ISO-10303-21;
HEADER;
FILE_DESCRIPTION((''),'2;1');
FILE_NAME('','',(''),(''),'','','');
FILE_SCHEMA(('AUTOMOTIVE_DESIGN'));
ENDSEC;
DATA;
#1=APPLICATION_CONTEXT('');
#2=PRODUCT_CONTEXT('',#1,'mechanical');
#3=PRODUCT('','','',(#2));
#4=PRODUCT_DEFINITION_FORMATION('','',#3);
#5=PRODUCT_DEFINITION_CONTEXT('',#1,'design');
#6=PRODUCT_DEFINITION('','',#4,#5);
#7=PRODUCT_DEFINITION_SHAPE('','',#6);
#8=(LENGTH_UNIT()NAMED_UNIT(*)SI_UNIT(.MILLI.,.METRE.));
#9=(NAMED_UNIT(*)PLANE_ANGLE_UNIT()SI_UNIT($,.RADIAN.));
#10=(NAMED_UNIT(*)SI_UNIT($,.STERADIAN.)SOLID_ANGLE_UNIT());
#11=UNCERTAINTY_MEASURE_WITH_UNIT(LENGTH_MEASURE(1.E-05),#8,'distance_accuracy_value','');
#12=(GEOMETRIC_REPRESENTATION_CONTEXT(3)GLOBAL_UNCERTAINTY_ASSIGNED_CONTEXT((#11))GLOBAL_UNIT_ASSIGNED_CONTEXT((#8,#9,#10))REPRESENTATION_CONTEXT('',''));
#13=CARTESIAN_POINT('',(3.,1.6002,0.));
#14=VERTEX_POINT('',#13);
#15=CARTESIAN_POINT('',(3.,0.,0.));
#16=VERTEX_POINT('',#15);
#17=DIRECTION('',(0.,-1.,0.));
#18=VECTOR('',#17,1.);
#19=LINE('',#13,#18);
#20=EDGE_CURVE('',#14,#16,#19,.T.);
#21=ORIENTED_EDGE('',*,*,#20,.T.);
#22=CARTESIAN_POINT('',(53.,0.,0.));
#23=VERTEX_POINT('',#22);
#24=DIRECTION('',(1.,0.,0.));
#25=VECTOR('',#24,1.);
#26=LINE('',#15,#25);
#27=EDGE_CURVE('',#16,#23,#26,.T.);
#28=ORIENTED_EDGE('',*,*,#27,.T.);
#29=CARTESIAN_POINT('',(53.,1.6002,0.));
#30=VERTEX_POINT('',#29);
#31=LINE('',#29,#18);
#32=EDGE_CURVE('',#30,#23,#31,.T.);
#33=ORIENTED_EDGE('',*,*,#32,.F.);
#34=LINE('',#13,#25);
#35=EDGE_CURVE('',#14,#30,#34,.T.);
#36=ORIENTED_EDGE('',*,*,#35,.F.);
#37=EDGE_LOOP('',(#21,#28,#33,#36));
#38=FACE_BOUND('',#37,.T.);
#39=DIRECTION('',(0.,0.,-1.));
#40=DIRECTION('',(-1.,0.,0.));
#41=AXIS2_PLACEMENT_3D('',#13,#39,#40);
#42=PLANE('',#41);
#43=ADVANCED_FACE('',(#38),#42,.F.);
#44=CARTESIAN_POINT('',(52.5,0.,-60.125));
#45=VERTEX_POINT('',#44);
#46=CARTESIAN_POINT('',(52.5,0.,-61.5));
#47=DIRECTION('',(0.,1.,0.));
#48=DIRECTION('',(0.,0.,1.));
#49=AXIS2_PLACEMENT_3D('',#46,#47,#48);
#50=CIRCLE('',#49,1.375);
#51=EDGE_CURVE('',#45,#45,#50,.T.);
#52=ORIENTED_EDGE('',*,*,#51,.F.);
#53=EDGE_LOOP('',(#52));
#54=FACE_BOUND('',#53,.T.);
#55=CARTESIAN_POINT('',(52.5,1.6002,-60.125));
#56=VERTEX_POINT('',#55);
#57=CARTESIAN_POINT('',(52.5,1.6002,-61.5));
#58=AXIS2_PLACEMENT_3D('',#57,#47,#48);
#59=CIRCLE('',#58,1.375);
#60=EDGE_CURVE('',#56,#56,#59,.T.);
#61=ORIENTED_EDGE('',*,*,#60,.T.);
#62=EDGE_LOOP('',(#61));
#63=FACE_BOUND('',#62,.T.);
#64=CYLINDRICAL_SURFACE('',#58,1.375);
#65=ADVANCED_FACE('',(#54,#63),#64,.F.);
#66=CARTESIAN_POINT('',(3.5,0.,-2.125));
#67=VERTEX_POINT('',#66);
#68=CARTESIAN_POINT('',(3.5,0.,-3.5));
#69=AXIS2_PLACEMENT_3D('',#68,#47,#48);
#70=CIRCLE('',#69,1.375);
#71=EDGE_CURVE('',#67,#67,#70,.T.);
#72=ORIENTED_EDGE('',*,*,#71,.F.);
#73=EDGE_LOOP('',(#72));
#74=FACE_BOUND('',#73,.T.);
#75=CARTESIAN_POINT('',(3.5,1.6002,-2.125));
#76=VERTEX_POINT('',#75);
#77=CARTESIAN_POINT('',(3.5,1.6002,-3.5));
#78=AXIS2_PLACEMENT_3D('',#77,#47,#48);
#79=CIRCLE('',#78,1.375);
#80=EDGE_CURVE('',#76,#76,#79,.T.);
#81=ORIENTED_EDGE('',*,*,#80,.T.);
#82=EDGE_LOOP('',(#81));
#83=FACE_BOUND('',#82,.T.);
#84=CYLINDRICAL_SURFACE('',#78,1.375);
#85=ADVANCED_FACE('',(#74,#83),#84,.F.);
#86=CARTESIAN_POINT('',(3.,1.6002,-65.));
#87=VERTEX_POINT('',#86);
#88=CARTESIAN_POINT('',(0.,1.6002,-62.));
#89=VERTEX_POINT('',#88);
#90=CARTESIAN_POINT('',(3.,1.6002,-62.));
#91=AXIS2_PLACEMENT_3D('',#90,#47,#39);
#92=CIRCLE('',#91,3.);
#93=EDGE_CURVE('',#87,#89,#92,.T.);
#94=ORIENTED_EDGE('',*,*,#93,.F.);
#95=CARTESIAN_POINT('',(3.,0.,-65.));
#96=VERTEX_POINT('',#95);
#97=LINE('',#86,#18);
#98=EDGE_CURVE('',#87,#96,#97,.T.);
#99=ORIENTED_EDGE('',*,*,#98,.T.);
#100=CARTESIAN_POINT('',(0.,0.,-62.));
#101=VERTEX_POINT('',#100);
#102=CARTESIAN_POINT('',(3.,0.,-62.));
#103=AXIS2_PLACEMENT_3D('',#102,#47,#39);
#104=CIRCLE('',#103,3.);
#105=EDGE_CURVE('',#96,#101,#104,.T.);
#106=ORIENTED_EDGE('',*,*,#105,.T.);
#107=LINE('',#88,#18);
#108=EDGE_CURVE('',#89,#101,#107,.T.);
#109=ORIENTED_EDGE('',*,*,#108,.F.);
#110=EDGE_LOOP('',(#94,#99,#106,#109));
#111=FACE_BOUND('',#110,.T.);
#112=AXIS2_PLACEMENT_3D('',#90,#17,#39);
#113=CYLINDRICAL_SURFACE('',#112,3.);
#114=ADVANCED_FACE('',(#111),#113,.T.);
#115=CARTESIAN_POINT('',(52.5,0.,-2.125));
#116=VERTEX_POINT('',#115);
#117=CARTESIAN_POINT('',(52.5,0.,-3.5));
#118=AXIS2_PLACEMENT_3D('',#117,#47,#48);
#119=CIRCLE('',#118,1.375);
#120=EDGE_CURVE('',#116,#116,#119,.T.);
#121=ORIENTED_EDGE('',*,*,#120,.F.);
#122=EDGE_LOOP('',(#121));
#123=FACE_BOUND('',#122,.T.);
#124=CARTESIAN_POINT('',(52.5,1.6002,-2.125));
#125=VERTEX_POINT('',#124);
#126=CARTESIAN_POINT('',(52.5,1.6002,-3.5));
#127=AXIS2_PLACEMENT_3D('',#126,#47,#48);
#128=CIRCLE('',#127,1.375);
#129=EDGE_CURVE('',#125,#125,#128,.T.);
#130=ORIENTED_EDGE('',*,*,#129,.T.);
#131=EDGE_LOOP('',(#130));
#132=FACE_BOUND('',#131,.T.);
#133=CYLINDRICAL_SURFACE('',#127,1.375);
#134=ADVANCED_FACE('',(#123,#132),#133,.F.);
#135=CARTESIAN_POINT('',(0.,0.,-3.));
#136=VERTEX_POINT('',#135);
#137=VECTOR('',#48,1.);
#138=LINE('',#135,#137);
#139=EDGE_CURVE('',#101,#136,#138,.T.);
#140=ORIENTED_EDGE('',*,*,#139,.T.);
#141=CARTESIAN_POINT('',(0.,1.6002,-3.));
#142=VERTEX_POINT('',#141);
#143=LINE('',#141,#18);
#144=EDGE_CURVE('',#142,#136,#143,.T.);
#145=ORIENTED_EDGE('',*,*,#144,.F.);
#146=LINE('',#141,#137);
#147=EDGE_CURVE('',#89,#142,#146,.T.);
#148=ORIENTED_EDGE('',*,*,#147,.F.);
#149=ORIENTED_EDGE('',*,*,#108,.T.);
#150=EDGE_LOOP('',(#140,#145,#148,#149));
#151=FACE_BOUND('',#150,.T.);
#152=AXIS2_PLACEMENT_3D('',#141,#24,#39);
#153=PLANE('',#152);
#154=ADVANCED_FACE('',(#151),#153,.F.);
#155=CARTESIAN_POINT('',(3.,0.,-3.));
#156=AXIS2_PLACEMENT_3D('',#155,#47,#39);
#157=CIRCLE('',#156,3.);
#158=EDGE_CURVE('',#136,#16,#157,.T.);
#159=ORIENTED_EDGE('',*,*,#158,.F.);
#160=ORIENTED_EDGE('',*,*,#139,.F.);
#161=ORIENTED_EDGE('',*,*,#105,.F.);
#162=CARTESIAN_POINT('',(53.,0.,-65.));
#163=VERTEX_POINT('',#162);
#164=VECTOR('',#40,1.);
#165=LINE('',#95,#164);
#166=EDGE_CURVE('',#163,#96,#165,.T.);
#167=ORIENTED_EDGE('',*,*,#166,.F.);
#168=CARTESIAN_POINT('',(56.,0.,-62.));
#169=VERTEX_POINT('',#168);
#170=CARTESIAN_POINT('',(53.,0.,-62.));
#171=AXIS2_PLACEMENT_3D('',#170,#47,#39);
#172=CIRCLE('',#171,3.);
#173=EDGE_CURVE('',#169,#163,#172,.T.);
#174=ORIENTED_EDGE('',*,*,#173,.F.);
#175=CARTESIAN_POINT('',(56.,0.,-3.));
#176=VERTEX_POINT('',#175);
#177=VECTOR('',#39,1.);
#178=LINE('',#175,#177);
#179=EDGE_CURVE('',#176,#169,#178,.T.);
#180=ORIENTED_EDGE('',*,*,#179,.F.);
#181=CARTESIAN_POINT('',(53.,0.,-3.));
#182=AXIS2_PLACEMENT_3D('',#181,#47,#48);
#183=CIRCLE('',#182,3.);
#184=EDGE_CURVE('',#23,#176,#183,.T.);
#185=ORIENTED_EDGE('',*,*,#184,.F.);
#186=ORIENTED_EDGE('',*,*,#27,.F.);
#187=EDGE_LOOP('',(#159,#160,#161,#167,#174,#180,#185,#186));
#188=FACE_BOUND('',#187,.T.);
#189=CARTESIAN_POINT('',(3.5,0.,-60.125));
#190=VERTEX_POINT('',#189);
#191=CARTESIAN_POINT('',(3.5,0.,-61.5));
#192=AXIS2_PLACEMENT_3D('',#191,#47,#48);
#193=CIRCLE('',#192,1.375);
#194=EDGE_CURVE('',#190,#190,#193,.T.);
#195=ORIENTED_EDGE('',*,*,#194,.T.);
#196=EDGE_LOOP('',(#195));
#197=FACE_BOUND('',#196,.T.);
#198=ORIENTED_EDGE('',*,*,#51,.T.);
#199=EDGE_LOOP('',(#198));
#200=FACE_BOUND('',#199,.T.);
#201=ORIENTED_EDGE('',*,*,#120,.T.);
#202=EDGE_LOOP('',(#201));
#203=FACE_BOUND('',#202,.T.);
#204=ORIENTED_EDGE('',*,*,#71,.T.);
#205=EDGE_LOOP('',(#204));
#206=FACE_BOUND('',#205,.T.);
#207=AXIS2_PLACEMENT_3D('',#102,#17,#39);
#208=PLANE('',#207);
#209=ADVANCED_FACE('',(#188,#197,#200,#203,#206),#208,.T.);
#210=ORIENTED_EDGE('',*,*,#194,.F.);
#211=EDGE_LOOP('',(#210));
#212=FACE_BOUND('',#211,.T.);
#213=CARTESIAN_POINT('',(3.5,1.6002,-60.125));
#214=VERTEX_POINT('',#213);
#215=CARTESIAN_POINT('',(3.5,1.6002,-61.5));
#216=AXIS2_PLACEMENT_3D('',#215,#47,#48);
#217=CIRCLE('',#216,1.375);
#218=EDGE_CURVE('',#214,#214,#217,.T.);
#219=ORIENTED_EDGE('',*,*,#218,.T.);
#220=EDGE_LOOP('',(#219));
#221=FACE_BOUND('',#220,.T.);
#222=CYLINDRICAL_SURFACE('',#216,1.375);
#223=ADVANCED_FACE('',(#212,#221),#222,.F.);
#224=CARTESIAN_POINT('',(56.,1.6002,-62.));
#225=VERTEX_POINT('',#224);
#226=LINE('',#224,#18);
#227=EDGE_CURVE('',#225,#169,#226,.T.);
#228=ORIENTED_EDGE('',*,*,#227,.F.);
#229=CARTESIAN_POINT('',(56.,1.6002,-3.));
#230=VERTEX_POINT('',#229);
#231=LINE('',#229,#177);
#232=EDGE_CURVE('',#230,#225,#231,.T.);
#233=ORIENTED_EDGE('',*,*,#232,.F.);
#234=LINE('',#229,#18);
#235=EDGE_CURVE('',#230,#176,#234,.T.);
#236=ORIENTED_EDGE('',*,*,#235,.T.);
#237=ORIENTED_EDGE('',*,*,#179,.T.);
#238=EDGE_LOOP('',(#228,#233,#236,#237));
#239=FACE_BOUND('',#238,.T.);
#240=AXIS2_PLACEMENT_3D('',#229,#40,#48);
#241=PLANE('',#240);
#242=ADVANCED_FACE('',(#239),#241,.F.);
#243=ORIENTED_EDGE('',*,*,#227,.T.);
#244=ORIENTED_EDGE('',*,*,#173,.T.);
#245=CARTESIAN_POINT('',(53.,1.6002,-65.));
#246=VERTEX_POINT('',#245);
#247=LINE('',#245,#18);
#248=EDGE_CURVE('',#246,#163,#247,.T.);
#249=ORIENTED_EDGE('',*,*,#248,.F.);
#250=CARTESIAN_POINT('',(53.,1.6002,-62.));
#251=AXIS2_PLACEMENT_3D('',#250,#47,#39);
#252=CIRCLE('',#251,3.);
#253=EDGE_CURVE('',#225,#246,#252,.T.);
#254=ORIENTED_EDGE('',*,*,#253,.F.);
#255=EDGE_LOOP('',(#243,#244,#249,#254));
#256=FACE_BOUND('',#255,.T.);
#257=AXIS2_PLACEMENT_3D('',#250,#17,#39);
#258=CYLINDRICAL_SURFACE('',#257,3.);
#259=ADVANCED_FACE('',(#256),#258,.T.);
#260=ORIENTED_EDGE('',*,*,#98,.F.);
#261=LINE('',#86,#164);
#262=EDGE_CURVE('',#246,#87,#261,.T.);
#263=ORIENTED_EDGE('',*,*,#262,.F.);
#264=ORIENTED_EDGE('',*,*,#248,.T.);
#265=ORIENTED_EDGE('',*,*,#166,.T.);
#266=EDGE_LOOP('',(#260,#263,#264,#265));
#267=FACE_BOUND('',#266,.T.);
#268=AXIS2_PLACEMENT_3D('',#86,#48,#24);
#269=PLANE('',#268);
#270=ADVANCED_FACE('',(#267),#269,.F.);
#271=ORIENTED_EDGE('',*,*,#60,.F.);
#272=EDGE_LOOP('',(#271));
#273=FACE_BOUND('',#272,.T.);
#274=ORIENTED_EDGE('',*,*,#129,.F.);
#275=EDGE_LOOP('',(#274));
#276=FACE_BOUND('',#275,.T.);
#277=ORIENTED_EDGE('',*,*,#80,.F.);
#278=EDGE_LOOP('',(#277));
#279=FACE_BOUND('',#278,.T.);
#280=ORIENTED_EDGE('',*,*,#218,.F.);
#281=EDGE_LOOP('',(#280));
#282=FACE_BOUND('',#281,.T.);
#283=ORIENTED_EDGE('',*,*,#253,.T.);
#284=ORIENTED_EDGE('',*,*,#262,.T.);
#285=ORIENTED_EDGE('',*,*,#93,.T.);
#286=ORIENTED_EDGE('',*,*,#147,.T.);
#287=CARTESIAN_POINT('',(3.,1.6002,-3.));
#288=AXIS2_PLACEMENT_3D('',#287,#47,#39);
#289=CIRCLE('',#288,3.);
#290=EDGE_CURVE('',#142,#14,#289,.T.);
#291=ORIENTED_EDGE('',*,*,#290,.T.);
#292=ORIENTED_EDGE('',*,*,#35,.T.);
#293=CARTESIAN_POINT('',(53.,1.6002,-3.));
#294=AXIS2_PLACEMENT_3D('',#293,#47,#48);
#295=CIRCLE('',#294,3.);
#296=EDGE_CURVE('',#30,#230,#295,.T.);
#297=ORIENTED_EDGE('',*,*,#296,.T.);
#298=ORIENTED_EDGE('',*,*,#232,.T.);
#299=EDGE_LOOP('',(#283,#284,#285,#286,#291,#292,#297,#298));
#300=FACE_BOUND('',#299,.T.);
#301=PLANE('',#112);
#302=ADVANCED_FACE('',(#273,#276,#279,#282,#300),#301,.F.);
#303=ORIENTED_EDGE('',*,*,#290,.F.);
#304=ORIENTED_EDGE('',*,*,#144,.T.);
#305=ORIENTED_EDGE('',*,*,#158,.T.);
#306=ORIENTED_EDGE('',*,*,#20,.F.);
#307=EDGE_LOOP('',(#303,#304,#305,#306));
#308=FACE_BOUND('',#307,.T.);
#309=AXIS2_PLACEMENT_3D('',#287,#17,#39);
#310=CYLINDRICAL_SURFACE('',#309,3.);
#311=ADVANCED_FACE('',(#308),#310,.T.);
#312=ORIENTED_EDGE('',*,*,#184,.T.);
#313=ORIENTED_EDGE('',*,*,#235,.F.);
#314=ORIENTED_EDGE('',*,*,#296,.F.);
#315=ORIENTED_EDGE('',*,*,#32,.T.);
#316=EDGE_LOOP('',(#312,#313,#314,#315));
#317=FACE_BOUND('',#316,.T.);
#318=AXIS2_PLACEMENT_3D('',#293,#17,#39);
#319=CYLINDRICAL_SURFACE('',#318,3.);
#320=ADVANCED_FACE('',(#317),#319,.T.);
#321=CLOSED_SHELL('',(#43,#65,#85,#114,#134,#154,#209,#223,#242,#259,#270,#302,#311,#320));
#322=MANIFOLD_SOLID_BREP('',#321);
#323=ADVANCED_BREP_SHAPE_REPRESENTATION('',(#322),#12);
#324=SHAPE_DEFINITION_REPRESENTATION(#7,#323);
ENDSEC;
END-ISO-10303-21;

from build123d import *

# Parameters (mm, degrees)
BOSS_EXTRUDE1_DEPTH        = 1.6002
F_2_7_2_7_DIAMETER_HOLE1_D = 2.75


with BuildPart() as part:
    # Sketch1 → Boss-Extrude1 (new body)
    with BuildSketch(Plane(origin=(0, 0, 0), x_dir=(1, 0, 0), z_dir=(0, 1, 0))):
        with BuildLine():
            Line((3, 0), (53, 0))
            ThreePointArc((53, 0), (55.121320344, 0.878679656), (56, 3))
            Line((56, 3), (56, 62))
            ThreePointArc((56, 62), (55.121320344, 64.121320344), (53, 65))
            Line((53, 65), (3, 65))
            ThreePointArc((3, 65), (0.878679656, 64.121320344), (0, 62))
            Line((0, 62), (0, 3))
            ThreePointArc((0, 3), (0.878679656, 0.878679656), (3, 0))
        make_face()
    extrude(amount=BOSS_EXTRUDE1_DEPTH)

    # Ø2.7 (2.7) Diameter Hole1 (through all)
    with Locations(Plane(origin=(0, 1.6002, 0), x_dir=(1, 0, 0), z_dir=(0, 1, 0))):
        with Locations((3.5, 61.5), (3.5, 3.5), (52.5, 61.5), (52.5, 3.5)):
            Hole(F_2_7_2_7_DIAMETER_HOLE1_D / 2)


solid = part.part
